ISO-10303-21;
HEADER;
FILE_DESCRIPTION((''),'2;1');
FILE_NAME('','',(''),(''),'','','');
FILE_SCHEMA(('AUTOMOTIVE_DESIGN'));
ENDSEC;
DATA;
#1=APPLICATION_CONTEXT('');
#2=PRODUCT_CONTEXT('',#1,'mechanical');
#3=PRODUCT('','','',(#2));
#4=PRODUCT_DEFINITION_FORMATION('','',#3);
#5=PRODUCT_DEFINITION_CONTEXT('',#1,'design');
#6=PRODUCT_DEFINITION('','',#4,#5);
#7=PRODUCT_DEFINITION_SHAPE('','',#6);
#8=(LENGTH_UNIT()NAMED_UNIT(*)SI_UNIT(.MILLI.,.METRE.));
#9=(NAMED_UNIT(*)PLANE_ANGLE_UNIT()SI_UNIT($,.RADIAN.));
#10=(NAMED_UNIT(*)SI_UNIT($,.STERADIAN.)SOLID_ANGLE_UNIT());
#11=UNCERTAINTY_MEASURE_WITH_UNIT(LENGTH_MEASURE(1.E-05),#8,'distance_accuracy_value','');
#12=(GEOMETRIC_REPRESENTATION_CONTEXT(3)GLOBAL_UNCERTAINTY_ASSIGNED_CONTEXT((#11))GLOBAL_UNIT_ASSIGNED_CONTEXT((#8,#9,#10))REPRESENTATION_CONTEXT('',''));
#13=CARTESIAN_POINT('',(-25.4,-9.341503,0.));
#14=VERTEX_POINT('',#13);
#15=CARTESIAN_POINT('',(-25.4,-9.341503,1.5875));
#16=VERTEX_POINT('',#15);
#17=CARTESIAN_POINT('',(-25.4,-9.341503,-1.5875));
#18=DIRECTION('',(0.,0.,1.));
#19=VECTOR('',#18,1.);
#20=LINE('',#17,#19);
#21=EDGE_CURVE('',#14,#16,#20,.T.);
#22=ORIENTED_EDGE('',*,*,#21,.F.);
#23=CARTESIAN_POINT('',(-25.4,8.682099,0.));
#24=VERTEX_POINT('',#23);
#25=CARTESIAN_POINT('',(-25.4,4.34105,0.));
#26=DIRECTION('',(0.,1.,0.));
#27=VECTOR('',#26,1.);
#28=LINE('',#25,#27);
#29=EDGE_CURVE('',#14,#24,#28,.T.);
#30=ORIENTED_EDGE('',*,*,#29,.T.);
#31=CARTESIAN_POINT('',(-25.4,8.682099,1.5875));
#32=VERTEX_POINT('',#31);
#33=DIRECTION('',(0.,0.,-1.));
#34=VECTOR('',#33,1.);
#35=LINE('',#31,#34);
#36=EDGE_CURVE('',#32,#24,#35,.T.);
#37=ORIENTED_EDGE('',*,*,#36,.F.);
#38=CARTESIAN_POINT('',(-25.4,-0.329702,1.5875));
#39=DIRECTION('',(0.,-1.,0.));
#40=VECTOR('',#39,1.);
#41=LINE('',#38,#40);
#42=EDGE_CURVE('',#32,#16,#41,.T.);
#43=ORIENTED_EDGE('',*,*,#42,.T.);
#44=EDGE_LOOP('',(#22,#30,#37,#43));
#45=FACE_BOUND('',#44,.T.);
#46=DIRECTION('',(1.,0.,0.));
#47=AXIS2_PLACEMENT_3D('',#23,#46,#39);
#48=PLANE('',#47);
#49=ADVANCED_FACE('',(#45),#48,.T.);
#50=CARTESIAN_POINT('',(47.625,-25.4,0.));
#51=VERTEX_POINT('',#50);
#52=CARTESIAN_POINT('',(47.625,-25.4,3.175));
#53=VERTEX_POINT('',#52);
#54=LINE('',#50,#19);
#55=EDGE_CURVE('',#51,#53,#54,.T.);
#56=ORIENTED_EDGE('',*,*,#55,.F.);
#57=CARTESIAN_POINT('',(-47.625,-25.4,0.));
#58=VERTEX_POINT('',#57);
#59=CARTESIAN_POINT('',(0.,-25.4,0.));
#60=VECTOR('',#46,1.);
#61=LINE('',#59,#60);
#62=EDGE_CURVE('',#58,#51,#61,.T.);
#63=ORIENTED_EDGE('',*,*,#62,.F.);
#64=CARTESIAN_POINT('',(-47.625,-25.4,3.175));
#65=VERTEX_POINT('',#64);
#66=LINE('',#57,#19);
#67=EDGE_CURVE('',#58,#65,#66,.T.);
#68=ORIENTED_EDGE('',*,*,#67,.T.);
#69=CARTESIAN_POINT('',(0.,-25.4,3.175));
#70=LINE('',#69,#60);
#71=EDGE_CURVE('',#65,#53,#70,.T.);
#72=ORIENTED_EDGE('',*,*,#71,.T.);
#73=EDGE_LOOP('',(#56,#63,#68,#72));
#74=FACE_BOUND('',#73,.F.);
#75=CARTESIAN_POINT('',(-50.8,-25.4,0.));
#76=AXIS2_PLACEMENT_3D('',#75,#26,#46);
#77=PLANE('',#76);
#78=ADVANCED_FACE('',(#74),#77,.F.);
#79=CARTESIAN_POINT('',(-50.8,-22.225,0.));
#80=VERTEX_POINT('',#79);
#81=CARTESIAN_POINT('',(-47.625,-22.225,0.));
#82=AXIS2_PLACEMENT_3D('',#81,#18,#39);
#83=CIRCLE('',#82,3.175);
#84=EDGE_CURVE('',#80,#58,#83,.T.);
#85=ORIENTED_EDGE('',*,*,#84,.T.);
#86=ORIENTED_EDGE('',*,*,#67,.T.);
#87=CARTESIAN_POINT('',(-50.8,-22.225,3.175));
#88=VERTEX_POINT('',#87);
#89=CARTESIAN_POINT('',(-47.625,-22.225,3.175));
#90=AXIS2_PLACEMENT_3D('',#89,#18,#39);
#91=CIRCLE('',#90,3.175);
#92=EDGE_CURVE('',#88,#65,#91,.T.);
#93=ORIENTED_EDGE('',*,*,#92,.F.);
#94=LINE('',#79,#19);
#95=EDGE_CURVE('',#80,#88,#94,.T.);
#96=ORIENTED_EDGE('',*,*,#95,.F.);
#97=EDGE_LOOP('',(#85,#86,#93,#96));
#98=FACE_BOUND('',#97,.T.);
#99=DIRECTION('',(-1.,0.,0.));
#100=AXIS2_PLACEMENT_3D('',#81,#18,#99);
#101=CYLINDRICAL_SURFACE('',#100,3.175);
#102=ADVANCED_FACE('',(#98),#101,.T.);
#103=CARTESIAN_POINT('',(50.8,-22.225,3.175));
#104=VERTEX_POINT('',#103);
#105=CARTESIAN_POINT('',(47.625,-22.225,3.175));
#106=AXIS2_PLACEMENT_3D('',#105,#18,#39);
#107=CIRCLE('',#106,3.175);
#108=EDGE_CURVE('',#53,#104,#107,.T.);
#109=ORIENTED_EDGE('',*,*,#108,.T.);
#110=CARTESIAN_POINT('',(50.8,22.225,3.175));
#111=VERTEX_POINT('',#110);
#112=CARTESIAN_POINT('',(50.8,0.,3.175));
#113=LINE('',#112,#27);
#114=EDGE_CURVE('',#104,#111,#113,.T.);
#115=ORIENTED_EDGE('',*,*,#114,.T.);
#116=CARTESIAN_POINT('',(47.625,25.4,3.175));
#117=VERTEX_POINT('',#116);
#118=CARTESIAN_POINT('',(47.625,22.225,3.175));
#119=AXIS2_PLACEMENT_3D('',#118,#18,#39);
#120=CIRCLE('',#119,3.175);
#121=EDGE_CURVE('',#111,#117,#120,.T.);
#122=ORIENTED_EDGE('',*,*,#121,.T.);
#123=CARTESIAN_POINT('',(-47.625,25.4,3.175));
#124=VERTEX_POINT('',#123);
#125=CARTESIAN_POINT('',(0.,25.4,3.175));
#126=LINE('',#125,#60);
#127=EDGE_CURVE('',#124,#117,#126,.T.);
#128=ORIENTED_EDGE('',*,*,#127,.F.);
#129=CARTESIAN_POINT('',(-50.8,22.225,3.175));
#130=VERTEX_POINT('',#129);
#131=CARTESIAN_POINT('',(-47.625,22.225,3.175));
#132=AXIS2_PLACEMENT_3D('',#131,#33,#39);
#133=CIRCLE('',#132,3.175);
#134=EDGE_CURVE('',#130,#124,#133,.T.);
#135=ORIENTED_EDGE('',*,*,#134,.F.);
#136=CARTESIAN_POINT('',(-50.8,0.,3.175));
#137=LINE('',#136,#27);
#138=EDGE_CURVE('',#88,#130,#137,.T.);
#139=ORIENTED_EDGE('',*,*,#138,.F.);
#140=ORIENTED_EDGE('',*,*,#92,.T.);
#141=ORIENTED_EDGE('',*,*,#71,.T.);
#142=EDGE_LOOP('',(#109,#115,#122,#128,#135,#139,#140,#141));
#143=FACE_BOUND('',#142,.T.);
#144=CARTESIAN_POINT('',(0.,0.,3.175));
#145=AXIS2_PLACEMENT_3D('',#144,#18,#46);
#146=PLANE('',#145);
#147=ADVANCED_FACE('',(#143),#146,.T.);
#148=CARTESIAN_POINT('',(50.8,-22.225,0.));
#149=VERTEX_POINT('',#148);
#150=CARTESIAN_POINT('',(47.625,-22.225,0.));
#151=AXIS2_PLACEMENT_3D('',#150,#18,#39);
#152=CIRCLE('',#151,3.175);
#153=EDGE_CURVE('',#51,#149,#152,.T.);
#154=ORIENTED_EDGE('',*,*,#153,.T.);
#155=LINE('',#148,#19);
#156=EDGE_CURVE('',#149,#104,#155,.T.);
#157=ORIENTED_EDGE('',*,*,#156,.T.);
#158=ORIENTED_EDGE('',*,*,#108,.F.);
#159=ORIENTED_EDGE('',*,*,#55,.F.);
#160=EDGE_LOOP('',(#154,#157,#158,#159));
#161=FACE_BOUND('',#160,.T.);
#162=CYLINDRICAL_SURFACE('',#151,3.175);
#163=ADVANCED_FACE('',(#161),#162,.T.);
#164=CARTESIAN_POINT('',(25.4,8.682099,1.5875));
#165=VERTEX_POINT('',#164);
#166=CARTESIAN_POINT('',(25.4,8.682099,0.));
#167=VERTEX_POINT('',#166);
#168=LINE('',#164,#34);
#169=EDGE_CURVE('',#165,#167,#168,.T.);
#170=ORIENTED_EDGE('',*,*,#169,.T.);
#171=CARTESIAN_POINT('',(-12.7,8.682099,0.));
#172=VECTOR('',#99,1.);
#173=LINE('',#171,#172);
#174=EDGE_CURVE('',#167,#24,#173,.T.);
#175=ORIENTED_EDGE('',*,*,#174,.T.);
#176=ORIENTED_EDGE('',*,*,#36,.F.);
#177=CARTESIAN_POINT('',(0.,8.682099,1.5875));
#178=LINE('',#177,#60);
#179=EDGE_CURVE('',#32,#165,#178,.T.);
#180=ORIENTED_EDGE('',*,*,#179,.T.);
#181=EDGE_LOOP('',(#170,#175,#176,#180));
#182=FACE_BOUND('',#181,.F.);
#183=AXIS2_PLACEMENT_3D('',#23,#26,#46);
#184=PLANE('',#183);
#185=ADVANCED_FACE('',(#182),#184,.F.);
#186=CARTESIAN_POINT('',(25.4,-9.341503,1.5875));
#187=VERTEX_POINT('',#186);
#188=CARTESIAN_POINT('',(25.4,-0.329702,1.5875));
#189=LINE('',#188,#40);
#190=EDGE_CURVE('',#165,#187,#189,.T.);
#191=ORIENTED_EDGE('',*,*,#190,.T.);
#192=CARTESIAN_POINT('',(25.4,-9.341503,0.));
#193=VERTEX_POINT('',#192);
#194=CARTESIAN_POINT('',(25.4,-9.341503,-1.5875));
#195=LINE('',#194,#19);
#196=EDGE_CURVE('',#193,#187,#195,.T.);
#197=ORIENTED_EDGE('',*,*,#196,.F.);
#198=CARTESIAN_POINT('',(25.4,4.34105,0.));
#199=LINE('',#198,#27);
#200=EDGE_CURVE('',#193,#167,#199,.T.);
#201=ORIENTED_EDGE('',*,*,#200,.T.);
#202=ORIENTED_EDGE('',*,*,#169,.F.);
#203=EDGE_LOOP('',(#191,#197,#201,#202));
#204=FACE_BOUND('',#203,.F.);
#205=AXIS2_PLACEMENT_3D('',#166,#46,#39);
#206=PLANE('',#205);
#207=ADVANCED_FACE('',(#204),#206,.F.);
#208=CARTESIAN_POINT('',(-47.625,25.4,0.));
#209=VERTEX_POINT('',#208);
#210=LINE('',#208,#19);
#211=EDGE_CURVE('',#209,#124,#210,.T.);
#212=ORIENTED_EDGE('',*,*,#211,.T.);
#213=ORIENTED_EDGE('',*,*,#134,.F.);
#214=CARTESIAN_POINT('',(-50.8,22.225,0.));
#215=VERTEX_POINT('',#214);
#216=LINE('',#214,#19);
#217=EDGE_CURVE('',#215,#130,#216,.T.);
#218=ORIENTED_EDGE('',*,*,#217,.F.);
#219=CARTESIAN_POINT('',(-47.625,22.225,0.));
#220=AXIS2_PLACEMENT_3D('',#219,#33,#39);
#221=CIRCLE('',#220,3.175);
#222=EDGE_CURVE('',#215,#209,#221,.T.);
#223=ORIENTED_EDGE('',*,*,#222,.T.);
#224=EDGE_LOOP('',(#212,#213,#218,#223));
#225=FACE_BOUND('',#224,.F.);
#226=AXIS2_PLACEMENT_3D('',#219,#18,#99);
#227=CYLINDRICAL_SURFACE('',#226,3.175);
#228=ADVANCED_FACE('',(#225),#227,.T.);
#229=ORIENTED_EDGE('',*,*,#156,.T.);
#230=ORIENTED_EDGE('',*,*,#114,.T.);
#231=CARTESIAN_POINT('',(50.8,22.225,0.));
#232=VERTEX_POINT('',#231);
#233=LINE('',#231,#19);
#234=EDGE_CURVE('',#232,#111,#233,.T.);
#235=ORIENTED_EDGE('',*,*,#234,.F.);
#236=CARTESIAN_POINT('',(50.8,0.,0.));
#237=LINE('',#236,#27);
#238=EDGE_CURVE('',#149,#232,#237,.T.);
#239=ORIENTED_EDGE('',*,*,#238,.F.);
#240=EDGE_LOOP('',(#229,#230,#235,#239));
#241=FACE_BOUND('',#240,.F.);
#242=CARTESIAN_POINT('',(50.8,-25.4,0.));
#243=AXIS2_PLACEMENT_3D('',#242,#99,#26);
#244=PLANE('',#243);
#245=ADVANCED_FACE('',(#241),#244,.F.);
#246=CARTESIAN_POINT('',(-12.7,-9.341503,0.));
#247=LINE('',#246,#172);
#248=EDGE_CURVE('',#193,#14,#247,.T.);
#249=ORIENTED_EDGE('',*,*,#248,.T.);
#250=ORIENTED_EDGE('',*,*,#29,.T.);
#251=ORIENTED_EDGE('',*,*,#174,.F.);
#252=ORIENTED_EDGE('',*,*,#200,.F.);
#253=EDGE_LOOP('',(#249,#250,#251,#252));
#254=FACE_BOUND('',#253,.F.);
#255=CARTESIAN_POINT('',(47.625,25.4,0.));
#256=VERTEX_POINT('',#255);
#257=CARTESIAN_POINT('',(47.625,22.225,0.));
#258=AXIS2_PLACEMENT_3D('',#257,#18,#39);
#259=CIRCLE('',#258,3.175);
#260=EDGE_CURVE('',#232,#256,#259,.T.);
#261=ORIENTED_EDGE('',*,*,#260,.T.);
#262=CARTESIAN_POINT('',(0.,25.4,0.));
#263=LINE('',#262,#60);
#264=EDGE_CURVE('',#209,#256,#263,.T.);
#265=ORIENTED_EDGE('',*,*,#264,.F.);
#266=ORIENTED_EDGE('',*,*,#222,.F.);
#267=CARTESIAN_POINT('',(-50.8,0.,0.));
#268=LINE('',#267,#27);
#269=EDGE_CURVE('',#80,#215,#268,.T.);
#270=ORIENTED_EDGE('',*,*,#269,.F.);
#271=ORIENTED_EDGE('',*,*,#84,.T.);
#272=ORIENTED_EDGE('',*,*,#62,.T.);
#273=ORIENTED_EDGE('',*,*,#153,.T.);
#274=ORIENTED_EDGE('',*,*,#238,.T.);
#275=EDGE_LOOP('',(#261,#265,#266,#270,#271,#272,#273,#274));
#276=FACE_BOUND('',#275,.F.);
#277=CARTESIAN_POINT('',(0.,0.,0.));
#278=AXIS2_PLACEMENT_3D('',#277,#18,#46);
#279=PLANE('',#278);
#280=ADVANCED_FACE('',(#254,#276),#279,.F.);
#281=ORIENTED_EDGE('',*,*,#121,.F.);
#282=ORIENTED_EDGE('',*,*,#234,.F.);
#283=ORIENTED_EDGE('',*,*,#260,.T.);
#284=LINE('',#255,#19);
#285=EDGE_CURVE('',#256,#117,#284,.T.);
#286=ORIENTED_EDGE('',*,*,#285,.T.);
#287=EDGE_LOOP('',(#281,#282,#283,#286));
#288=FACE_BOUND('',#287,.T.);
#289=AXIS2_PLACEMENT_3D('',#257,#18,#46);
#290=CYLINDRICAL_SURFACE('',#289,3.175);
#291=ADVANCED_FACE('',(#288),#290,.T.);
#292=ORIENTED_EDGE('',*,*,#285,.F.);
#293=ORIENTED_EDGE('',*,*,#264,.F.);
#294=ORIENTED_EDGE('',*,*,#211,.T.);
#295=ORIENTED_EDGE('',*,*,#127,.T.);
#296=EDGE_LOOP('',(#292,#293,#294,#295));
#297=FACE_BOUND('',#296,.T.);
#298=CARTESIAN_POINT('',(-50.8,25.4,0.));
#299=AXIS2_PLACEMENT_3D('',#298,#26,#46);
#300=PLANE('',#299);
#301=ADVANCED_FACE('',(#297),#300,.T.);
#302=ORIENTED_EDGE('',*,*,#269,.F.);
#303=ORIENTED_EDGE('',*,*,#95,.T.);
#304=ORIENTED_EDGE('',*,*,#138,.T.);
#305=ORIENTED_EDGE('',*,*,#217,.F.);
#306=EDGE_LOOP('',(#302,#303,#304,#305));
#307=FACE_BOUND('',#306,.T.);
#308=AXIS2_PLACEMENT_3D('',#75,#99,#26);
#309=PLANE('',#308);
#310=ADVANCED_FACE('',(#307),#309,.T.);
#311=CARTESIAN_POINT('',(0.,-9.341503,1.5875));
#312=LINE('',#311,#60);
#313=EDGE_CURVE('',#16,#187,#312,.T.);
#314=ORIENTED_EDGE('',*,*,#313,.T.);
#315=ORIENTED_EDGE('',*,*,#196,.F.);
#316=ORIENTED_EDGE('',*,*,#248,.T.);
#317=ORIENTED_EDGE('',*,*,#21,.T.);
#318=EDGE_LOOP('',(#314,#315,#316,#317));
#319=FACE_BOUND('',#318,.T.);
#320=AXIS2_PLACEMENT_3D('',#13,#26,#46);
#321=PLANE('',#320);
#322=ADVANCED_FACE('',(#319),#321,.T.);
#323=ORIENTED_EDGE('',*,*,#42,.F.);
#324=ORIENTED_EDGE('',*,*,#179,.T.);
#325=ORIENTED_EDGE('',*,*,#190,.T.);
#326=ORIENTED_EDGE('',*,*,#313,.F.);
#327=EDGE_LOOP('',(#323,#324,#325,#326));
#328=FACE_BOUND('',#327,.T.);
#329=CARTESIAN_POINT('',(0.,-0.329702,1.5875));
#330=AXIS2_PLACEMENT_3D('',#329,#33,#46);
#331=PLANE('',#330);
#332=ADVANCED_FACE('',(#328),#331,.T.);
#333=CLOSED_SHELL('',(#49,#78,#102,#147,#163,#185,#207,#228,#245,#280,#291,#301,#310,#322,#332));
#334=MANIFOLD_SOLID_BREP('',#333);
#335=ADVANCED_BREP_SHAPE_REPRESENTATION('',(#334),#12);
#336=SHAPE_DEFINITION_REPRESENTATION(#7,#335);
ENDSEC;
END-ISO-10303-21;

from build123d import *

# Parameters (mm, degrees)
SKETCH_W     = 101.6
SKETCH_H     = 50.8
PAD_DEPTH    = 3.175
FILLET_R     = 3.175
SKETCH001_W  = 50.8
SKETCH001_H  = 18.023603
POCKET_DEPTH = 1.5875


with BuildPart() as part:
    # Sketch → Pad (new body)
    with BuildSketch(Plane.XY):
        Rectangle(SKETCH_W, SKETCH_H)
    extrude(amount=PAD_DEPTH)

    # Fillet
    fillet_edges = [part.edges().sort_by_distance(p)[0] for p in [
        (-50.8, 25.4, 1.5875),
        (50.8, 25.4, 1.5875),
        (50.8, -25.4, 1.5875),
        (-50.8, -25.4, 1.5875),
    ]]
    fillet(fillet_edges, radius=FILLET_R)

    # Sketch001 (on Sketch) → Pocket (cut, symmetric)
    with BuildSketch(Plane(origin=(0, 0, 0), x_dir=(1, 0, 0), z_dir=(0, 0, -1))):
        with Locations((0, 0.329702)):
            Rectangle(SKETCH001_W, SKETCH001_H)
    extrude(amount=POCKET_DEPTH, both=True, mode=Mode.SUBTRACT)


solid = part.part
